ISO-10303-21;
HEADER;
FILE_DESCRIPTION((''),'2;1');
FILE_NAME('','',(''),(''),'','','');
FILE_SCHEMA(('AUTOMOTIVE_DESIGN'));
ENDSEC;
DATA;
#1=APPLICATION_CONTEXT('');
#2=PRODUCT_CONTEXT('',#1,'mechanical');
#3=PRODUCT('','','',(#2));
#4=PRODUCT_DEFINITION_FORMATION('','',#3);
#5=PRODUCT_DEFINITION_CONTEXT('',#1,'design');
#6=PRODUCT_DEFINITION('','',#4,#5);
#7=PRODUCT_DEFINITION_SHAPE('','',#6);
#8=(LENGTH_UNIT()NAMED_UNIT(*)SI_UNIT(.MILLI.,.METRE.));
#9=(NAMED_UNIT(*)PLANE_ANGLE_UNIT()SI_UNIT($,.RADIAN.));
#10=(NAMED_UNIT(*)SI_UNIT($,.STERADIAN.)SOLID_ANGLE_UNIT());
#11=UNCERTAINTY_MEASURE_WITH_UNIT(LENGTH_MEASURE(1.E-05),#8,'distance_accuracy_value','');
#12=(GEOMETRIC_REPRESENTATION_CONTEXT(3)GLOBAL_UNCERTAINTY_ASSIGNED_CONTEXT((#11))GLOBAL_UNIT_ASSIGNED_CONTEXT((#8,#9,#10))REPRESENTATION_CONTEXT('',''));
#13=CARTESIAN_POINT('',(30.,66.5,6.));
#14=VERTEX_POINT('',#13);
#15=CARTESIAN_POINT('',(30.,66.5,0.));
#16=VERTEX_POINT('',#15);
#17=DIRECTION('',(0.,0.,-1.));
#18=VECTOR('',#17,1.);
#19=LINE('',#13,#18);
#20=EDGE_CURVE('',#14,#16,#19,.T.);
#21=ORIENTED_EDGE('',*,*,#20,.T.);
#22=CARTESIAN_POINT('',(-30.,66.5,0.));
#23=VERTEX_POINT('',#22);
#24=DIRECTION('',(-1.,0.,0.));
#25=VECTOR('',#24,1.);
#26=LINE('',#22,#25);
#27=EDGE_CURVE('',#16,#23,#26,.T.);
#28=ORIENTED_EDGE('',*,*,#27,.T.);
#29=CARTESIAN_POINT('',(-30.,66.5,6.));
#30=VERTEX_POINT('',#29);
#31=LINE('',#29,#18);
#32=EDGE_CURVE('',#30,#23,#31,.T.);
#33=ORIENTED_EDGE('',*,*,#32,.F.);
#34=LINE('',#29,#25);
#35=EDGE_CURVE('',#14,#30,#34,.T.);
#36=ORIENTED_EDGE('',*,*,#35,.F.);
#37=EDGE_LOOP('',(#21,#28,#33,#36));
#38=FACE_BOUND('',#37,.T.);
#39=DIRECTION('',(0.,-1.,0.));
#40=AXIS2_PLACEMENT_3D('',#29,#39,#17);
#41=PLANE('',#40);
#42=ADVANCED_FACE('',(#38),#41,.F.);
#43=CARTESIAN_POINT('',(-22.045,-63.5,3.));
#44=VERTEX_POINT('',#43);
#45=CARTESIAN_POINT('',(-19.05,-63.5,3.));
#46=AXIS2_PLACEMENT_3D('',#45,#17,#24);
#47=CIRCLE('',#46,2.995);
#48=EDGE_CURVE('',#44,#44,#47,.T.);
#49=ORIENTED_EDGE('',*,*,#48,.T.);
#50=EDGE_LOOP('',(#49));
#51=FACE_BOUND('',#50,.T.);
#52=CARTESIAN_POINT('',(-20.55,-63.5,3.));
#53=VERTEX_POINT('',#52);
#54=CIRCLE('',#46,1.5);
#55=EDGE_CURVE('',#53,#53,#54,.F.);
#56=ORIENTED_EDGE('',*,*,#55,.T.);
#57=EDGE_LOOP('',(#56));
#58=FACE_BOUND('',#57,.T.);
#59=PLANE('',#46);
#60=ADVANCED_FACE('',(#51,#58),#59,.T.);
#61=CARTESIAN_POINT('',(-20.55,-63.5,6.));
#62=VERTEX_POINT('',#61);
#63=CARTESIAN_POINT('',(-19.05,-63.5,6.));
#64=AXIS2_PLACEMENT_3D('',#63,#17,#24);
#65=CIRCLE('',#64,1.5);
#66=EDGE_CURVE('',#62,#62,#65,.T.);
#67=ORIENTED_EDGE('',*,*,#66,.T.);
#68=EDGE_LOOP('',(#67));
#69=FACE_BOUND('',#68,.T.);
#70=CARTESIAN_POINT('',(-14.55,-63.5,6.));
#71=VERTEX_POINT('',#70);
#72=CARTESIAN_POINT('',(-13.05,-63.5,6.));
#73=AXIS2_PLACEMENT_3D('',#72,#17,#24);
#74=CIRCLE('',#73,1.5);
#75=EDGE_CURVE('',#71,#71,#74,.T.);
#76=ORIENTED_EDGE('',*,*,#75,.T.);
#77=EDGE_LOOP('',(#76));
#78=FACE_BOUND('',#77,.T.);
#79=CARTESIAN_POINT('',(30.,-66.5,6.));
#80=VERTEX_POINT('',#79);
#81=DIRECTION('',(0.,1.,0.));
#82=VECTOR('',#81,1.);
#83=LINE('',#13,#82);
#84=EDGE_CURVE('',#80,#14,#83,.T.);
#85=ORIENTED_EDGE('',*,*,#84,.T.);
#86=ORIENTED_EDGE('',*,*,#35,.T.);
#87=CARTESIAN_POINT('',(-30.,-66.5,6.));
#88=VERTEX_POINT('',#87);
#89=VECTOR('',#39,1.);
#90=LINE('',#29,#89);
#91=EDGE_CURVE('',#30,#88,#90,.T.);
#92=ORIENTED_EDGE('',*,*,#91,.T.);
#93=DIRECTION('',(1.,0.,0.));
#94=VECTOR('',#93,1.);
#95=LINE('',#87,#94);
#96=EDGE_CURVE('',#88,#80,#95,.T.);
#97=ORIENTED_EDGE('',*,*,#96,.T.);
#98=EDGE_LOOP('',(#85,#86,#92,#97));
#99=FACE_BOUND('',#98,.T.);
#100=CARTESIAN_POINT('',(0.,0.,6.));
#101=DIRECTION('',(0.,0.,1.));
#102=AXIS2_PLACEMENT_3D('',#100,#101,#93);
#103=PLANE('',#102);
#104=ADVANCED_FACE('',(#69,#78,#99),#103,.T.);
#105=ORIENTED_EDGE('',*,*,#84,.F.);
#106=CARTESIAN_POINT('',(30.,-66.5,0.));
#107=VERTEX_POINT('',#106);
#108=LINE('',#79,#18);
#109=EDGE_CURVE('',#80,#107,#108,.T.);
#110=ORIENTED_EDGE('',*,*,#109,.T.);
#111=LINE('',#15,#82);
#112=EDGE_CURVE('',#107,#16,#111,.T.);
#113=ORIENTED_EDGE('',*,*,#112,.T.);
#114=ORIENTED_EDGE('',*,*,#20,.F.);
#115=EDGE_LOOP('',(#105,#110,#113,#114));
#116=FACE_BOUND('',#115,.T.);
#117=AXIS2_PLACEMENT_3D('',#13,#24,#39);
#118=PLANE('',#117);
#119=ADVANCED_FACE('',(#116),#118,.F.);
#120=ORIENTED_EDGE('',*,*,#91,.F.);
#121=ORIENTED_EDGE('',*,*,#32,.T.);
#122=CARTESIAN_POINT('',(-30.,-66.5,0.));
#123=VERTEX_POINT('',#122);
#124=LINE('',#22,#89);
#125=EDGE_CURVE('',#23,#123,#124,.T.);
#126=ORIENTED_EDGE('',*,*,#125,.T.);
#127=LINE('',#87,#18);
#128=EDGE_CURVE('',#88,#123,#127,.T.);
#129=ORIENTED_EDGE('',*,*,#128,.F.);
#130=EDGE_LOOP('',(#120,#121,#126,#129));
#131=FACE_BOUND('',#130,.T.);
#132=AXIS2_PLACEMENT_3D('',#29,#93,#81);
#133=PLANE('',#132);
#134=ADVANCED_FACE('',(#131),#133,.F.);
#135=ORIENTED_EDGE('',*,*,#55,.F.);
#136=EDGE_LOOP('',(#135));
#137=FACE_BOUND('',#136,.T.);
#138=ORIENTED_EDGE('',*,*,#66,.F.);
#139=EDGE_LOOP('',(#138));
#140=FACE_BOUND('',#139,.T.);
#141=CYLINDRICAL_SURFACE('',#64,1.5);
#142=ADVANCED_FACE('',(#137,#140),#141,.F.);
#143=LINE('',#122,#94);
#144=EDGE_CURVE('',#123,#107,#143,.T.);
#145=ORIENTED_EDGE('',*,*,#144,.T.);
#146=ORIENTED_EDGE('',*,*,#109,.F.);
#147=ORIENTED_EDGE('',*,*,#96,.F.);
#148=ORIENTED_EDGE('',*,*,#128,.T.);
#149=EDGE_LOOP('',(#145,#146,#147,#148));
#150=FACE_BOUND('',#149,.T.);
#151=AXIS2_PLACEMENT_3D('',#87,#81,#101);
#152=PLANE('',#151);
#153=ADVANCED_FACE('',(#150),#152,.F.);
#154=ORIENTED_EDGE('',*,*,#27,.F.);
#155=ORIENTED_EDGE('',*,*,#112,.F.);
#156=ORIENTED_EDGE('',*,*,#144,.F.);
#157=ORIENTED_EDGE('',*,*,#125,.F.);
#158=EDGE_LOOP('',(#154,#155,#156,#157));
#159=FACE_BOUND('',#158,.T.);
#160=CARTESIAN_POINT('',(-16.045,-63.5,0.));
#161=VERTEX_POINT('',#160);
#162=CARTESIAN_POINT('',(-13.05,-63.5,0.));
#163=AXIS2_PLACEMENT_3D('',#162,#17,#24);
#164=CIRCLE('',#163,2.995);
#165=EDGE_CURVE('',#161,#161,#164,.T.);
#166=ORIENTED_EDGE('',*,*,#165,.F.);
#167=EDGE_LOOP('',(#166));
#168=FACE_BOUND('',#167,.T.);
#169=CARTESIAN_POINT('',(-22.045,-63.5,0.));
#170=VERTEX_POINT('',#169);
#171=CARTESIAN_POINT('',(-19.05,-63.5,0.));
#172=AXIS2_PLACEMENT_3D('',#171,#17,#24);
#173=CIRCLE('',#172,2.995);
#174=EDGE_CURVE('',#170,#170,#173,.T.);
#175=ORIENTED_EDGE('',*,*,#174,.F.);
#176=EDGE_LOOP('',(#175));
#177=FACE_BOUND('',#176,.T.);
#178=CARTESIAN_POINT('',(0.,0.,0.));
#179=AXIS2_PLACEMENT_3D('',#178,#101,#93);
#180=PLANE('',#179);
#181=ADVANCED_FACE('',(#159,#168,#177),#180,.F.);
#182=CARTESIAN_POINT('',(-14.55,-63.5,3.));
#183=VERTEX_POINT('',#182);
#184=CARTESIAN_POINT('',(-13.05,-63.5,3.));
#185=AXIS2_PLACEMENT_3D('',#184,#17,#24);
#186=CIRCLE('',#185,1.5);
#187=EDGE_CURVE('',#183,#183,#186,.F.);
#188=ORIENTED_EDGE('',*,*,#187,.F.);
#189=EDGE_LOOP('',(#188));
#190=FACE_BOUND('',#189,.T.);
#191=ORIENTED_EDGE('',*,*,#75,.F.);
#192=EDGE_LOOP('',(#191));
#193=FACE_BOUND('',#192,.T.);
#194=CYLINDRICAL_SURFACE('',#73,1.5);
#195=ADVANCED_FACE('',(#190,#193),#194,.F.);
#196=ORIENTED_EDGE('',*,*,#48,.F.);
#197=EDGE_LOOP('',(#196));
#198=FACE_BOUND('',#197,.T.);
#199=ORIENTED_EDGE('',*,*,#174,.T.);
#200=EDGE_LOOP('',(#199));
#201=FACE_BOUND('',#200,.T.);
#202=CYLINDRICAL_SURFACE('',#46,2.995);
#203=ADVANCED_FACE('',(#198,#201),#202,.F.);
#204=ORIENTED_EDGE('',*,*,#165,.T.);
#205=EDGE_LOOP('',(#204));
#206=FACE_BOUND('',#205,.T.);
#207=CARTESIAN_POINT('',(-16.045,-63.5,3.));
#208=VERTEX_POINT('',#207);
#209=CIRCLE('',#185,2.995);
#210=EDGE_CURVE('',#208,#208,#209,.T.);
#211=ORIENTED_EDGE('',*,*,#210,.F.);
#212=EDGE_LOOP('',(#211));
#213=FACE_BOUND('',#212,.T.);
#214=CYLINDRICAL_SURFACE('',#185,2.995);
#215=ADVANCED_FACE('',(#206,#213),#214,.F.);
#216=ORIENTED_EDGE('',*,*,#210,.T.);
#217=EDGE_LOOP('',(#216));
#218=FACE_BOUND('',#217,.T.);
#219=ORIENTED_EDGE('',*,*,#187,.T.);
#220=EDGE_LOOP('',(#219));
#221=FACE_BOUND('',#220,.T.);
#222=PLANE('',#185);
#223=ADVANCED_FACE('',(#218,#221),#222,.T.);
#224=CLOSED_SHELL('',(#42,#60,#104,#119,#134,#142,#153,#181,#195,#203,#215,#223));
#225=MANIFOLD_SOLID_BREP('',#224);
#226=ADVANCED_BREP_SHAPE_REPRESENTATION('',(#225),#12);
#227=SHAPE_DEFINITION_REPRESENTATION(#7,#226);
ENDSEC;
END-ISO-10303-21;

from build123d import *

# Parameters (mm, degrees)
ESQUISSE3_W             = 60
ESQUISSE3_H             = 133
BOSS_EXTRU_2_DEPTH      = 6
ESQUISSE4_R             = 1.5
ENL_V_MAT_EXTRU_1_DEPTH = 74.200068306
ESQUISSE5_R             = 2.995
ENL_V_MAT_EXTRU_2_DEPTH = 3


with BuildPart() as part:
    # Esquisse3 → Boss.-Extru.2 (new body)
    with BuildSketch(Plane.XY):
        Rectangle(ESQUISSE3_W, ESQUISSE3_H)
    extrude(amount=BOSS_EXTRU_2_DEPTH)

    # Esquisse4 → Enlèv. mat.-Extru.1 (cut, through all)
    with BuildSketch(Plane(origin=(0, 0, 0), x_dir=(-1, 0, 0), z_dir=(0, 0, -1))):
        with Locations((13.05, -63.5)):
            Circle(ESQUISSE4_R)
        with Locations((19.05, -63.5)):
            Circle(ESQUISSE4_R)
    extrude(amount=-ENL_V_MAT_EXTRU_1_DEPTH, mode=Mode.SUBTRACT)

    # Esquisse5 → Enlèv. mat.-Extru.2 (cut)
    with BuildSketch(Plane(origin=(0, 0, 0), x_dir=(-1, 0, 0), z_dir=(0, 0, -1))):
        with Locations((13.05, -63.5)):
            Circle(ESQUISSE5_R)
        with Locations((19.05, -63.5)):
            Circle(ESQUISSE5_R)
    extrude(amount=-ENL_V_MAT_EXTRU_2_DEPTH, mode=Mode.SUBTRACT)


solid = part.part
